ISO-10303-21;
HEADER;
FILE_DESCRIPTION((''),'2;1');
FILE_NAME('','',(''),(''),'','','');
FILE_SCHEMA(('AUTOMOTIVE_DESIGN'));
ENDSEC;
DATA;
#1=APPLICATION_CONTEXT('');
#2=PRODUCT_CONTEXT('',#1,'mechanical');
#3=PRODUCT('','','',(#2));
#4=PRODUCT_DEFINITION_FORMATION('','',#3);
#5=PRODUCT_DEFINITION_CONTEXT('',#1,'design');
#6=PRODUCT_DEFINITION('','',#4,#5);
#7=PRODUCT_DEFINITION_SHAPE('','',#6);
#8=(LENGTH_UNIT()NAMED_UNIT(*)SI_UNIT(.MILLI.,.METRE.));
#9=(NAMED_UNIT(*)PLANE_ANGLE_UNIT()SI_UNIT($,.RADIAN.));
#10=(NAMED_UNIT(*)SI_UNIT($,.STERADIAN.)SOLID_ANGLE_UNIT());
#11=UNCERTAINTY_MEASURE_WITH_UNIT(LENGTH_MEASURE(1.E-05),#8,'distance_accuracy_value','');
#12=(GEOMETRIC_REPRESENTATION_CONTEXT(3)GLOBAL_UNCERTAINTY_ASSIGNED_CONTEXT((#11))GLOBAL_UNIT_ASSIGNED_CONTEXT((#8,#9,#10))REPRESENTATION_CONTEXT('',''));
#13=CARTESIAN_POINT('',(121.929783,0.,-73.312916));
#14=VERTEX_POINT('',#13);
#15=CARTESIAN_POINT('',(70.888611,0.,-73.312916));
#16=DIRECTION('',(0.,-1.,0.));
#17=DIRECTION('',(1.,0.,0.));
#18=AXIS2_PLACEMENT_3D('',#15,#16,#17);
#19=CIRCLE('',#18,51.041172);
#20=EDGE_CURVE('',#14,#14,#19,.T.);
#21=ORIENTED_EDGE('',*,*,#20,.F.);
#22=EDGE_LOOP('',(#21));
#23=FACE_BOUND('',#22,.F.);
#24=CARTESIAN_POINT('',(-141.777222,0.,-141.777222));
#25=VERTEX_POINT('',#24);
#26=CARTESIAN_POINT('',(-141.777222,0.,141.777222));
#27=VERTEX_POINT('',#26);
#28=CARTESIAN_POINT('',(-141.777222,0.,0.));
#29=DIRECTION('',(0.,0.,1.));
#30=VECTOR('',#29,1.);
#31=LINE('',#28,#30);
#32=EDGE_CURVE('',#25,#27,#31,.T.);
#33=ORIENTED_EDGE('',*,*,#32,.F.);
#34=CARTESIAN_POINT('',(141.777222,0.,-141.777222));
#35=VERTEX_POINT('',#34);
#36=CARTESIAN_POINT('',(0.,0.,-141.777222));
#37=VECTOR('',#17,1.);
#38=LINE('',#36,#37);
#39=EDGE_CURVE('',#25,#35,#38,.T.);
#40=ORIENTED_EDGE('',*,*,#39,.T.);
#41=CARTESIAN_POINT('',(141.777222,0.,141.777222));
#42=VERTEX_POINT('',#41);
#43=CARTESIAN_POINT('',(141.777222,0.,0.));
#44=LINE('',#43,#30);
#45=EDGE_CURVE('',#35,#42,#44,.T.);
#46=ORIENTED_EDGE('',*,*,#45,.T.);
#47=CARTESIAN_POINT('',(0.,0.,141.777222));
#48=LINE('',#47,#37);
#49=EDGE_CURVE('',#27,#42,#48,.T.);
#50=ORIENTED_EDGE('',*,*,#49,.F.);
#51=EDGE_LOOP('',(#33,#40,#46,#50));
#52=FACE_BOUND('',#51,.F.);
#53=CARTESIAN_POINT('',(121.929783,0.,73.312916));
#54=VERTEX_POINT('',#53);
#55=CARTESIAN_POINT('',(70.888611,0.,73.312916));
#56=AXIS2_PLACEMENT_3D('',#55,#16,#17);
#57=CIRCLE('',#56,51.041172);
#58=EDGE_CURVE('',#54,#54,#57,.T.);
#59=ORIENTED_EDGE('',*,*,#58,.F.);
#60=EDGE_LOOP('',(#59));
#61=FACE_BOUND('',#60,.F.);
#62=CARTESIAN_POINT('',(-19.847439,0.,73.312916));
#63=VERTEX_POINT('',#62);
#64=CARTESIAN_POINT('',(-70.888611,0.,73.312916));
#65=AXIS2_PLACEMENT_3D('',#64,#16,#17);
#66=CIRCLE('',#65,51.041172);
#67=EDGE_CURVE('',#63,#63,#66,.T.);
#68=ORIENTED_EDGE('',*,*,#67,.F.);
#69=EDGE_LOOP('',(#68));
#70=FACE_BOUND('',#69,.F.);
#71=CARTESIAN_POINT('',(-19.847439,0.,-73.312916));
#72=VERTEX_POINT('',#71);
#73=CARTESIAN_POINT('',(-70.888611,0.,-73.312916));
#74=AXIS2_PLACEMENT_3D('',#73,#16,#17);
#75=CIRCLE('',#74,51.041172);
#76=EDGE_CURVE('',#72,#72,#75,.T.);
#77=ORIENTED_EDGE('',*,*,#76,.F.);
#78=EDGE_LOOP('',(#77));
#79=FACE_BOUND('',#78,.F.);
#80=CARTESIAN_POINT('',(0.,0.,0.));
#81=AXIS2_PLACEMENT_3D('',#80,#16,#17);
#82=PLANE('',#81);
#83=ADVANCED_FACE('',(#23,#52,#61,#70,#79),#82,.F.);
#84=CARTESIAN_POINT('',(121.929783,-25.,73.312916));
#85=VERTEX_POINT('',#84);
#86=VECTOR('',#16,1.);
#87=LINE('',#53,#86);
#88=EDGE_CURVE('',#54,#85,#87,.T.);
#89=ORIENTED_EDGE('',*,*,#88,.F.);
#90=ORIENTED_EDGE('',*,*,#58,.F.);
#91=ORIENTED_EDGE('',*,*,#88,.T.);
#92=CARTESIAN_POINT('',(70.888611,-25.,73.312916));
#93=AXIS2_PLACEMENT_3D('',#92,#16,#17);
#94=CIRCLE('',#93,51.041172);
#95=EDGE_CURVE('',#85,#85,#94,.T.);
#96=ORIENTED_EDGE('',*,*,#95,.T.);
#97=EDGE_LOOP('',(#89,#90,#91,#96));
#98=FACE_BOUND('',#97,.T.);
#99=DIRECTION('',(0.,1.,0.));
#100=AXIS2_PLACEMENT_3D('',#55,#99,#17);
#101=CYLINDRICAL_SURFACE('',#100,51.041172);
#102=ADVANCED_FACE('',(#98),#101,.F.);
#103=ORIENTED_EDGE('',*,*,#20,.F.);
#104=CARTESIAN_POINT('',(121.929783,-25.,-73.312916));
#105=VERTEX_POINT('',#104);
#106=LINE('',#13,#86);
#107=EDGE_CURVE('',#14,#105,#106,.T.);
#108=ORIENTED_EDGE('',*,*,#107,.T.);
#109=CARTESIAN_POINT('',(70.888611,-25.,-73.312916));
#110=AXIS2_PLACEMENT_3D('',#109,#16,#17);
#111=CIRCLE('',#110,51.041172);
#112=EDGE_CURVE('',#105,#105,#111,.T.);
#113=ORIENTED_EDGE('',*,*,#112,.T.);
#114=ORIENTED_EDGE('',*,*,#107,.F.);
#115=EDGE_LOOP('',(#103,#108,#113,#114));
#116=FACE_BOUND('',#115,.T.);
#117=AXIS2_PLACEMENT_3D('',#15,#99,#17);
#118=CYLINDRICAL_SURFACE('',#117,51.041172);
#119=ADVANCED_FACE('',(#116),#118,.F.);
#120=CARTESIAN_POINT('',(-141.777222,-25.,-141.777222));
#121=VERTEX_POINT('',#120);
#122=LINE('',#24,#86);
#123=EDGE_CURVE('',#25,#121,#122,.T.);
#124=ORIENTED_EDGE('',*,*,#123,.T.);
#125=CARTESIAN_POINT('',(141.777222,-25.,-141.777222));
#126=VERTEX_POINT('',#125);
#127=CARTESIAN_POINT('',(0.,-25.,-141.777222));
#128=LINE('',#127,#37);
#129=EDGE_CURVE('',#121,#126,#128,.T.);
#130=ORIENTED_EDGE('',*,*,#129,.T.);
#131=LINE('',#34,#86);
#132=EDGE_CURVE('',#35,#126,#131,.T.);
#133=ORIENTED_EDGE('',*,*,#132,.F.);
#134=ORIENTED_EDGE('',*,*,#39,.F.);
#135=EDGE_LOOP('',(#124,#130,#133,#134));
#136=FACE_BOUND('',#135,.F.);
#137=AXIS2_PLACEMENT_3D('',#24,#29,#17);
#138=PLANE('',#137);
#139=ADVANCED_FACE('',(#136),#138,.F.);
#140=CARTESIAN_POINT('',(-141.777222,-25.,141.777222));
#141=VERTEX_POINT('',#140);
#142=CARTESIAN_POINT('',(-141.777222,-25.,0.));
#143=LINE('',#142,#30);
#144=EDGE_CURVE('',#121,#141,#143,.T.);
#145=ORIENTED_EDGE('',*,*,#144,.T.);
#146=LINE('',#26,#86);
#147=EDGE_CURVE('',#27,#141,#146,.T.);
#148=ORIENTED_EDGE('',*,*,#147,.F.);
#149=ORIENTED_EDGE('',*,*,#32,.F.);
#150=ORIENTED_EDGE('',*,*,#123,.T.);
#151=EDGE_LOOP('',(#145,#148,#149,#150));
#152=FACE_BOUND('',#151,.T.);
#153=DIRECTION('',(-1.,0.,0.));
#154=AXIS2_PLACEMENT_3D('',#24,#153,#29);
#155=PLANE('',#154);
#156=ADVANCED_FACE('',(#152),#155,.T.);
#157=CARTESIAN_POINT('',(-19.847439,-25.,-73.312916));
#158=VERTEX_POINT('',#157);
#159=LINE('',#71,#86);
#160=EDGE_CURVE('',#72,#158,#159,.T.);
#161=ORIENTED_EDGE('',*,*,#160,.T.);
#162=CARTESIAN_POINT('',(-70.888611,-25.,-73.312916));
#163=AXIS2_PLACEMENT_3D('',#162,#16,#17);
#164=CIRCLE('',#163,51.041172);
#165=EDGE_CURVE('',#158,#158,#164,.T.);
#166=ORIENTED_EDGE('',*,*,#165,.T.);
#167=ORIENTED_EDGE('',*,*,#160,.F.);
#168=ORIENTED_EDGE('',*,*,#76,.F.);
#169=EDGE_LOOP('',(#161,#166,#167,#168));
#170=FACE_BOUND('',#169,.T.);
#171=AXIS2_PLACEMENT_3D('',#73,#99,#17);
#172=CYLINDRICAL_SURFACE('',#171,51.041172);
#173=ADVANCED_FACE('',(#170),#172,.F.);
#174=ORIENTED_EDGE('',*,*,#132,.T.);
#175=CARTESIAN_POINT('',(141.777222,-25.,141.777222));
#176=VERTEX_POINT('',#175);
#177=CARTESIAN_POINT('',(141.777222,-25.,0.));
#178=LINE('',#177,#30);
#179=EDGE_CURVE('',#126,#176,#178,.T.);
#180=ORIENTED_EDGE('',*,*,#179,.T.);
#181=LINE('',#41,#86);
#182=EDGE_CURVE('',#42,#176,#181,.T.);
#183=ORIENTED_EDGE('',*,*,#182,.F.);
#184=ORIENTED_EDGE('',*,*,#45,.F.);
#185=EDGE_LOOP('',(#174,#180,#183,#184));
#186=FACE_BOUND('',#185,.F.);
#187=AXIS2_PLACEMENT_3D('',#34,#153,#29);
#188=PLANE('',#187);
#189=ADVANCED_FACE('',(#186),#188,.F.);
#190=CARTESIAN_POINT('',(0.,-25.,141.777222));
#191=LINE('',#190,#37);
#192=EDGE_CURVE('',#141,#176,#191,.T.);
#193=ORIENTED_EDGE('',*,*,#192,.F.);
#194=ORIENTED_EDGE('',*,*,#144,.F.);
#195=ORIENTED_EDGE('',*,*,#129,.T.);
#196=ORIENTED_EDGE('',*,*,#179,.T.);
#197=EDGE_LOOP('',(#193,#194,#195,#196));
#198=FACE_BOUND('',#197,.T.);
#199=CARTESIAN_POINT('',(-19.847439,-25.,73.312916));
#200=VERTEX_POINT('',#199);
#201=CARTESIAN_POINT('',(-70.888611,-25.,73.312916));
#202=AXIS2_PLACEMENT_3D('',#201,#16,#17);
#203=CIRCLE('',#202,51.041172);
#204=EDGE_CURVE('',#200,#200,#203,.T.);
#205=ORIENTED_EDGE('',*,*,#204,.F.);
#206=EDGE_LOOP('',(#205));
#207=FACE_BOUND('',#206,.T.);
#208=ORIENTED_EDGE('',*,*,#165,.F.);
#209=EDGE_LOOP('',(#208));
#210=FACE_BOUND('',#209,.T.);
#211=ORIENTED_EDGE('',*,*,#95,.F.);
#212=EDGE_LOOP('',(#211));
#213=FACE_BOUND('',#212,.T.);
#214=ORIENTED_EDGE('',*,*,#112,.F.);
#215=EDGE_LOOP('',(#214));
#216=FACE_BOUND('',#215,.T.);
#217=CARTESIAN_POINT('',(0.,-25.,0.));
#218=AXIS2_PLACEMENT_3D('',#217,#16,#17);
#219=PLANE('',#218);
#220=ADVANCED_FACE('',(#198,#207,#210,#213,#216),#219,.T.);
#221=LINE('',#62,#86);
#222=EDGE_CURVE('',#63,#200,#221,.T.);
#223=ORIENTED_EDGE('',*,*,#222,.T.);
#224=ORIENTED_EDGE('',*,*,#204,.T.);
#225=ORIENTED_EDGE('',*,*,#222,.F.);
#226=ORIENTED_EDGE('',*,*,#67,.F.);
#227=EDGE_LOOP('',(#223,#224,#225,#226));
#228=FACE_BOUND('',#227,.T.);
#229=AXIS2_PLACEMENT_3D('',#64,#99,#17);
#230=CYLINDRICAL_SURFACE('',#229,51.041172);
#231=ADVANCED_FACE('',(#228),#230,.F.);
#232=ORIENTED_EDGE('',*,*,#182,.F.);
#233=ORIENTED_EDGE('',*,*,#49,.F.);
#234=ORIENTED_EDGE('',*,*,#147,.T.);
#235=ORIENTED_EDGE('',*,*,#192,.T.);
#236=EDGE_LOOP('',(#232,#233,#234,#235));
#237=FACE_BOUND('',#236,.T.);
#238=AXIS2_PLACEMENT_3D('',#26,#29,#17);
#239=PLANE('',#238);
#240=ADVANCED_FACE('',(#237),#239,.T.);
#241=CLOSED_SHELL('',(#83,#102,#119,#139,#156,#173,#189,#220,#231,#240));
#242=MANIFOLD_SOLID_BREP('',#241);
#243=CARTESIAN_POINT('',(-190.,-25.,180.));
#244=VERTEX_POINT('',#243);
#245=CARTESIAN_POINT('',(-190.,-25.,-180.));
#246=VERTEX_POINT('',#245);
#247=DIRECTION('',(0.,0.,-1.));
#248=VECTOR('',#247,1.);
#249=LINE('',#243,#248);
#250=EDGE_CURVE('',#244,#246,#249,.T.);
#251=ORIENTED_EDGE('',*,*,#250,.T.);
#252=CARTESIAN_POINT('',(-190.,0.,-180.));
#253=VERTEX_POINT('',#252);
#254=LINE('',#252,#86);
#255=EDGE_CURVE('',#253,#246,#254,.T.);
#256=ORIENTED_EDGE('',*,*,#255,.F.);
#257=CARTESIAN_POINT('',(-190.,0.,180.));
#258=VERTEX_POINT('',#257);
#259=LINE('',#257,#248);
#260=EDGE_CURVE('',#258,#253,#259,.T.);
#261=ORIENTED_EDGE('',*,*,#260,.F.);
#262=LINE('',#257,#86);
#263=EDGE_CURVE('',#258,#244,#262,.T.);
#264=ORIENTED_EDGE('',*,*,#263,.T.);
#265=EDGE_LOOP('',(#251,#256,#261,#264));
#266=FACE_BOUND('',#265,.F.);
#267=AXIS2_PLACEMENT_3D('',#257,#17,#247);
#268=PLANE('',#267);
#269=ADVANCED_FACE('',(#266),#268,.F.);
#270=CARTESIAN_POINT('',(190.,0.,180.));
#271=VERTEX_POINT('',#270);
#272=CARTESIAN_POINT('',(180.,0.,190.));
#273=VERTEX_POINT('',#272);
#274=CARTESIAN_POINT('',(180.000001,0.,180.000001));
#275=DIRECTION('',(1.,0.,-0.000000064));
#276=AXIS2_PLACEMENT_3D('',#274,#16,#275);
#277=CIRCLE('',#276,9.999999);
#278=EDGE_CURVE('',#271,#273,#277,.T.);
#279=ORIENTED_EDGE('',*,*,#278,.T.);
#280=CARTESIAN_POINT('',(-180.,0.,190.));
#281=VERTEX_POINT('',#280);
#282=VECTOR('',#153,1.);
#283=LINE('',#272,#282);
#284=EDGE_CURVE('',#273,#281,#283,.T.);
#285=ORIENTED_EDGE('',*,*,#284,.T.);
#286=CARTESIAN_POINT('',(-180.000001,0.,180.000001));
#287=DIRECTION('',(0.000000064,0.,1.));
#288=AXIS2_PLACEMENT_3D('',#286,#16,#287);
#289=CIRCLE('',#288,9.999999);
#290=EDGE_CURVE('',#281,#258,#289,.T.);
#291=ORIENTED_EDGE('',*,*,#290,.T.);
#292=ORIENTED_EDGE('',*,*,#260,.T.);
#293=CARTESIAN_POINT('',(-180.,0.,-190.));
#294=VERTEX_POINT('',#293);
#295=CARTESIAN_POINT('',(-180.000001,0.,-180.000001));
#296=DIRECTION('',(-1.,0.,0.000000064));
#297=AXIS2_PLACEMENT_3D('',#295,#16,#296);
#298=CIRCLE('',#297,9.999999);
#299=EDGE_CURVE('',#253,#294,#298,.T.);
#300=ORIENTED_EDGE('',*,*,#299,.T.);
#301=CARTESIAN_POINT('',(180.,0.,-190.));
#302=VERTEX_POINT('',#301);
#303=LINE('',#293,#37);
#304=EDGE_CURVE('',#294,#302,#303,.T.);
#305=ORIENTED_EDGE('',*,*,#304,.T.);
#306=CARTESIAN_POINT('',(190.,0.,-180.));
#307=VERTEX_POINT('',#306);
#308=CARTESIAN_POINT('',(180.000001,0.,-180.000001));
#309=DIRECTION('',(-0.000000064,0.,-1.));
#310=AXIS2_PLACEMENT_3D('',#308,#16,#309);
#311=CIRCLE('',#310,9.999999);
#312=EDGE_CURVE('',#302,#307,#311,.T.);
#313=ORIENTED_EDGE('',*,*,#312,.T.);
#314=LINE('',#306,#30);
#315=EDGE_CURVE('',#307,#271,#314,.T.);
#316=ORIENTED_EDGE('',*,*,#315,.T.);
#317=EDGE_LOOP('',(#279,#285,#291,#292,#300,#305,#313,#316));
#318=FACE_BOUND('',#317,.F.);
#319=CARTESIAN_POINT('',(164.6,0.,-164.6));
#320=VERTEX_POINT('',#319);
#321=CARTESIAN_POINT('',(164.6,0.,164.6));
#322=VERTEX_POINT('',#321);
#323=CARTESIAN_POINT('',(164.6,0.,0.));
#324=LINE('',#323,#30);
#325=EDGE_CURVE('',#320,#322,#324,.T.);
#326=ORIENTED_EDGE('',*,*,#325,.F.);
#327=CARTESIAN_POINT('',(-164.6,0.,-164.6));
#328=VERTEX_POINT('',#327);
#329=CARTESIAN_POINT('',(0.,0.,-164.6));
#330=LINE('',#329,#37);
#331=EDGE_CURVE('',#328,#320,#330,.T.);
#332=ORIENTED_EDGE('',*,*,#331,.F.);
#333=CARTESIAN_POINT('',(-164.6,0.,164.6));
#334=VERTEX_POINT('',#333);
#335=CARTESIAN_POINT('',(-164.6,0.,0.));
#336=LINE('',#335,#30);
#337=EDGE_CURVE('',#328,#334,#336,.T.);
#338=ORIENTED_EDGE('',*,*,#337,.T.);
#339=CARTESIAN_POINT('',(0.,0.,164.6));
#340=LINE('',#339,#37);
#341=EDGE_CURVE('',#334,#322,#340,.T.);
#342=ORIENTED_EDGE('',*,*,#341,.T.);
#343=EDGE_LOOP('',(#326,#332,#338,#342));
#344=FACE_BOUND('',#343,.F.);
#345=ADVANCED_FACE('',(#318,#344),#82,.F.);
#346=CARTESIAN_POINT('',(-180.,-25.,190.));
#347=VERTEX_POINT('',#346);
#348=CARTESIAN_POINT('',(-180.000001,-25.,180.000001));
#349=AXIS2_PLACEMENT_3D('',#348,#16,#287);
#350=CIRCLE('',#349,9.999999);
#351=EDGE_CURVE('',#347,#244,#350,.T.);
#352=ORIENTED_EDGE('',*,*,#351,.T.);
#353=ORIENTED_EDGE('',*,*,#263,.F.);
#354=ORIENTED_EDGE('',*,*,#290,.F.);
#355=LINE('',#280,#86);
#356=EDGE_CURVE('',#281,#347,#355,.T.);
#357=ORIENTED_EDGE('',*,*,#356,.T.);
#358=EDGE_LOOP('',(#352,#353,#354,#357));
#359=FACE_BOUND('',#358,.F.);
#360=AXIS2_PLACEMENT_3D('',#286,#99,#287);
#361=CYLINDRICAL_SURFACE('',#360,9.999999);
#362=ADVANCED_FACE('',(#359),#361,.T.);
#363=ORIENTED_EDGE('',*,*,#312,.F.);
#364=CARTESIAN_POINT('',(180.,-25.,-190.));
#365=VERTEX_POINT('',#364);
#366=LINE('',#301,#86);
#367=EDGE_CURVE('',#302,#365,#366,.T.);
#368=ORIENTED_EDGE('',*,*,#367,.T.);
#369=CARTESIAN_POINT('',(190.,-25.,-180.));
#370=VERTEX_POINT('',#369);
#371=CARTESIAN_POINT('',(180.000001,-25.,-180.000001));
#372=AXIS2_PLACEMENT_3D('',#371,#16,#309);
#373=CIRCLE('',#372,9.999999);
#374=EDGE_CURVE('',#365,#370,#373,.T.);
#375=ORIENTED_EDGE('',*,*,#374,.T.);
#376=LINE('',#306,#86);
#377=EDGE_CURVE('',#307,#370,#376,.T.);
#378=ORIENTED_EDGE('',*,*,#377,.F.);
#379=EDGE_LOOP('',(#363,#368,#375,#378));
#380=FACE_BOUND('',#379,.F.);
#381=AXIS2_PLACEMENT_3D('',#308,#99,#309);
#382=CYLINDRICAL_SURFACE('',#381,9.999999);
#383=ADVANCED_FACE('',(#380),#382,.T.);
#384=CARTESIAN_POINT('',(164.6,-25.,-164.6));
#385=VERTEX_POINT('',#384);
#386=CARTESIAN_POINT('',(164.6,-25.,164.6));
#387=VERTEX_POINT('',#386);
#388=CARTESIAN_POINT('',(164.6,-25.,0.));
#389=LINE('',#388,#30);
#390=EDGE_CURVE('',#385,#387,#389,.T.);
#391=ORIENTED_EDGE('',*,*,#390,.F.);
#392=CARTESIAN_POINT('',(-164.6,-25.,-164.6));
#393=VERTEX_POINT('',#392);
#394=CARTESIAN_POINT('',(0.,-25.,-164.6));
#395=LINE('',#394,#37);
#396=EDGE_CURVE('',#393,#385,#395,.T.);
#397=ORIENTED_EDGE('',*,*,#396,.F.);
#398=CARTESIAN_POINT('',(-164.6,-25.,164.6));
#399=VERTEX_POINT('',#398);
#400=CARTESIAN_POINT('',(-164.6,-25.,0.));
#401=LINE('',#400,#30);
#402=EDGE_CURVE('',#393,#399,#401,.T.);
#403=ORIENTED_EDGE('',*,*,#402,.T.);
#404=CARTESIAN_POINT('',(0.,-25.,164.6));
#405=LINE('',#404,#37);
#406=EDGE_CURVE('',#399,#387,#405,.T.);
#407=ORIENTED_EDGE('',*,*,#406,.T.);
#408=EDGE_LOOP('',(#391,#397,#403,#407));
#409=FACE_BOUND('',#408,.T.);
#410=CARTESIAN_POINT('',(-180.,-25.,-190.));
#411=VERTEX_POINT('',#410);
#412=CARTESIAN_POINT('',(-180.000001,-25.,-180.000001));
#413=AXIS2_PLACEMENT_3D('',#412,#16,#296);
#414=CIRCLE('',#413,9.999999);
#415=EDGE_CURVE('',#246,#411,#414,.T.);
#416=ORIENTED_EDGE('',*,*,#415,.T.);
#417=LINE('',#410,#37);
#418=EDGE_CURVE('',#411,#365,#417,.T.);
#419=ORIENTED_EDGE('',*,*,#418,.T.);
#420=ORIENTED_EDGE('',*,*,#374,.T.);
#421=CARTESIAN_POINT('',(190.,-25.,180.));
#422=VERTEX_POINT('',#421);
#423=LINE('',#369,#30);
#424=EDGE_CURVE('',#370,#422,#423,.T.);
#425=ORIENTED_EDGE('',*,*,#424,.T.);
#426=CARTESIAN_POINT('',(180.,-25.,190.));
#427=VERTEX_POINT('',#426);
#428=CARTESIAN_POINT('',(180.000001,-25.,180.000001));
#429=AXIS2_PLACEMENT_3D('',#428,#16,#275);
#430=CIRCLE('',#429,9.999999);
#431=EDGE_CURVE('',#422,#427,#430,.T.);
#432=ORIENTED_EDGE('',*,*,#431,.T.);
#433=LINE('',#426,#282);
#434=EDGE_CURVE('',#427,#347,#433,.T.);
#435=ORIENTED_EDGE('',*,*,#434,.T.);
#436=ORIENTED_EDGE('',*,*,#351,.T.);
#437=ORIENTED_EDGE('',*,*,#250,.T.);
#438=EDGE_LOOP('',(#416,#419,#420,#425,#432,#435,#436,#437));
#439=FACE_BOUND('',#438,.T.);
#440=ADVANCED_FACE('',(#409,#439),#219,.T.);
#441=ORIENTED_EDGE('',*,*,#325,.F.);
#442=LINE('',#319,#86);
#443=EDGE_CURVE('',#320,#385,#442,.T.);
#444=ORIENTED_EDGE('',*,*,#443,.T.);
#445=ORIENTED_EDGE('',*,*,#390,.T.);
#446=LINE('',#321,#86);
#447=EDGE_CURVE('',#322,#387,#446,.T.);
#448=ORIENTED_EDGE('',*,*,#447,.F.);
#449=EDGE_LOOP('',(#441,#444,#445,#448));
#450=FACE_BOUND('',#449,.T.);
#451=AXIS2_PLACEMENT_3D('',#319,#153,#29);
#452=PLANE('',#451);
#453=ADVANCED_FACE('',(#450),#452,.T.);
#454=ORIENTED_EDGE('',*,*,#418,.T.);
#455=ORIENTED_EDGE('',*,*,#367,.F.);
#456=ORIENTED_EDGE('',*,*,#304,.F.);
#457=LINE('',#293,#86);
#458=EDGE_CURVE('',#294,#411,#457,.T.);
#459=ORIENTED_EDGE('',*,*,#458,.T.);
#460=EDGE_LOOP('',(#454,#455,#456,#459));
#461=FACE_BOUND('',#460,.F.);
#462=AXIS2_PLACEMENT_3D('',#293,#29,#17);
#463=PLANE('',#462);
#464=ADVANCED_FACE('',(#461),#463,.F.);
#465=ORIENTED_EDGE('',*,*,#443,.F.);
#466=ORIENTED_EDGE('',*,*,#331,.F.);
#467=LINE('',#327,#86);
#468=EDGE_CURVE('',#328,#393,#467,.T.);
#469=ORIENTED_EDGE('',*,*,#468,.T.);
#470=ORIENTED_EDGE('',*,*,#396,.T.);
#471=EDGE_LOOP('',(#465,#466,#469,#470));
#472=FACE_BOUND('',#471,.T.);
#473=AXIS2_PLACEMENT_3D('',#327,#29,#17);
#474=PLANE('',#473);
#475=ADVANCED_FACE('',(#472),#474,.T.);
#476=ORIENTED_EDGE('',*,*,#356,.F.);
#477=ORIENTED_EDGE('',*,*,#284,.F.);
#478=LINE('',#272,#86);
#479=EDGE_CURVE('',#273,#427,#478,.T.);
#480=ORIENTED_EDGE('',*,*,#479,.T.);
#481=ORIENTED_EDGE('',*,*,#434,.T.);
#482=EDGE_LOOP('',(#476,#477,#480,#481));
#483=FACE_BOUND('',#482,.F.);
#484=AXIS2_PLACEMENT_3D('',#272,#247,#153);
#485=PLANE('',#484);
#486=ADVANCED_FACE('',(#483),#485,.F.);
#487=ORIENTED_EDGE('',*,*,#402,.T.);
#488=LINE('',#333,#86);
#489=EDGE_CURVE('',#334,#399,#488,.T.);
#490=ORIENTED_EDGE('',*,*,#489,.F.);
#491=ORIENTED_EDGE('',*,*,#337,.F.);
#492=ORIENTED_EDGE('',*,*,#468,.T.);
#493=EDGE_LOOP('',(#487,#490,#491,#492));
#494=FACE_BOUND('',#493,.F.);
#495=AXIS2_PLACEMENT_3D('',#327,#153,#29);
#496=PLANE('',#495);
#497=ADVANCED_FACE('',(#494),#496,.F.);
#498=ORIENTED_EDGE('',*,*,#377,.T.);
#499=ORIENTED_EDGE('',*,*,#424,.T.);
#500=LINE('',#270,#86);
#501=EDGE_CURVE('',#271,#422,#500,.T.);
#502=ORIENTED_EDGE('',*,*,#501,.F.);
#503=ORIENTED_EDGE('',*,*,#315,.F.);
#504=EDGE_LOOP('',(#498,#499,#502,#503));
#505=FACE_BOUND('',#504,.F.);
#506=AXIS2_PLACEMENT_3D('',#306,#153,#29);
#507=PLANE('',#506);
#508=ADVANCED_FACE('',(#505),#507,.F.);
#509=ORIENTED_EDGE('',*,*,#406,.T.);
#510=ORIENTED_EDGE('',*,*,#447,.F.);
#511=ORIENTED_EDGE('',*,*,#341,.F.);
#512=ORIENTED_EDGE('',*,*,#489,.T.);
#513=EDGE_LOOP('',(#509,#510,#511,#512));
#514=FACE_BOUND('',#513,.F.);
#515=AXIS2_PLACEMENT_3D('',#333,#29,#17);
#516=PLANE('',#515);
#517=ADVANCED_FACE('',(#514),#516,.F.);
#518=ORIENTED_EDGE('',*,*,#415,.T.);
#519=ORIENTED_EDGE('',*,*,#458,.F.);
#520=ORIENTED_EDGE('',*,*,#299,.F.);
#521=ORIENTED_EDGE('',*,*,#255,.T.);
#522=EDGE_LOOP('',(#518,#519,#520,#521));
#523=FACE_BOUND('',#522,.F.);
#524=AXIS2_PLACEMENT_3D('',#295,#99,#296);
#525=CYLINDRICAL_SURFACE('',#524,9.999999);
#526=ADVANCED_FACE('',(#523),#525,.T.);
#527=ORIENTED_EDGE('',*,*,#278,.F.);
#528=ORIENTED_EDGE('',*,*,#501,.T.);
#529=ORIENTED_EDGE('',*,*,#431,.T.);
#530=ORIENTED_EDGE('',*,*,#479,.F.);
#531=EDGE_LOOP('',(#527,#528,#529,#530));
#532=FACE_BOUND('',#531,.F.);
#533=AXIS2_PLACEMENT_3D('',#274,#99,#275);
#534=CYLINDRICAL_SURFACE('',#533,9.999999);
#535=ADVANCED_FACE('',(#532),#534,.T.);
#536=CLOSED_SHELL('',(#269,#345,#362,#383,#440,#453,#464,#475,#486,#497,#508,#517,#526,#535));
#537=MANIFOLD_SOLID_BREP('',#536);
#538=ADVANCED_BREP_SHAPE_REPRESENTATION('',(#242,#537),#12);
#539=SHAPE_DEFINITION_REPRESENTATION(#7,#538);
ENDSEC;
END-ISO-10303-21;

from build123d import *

# Parameters (mm, degrees)
F0_W     = 354.6
F0_H     = 354.6
F0_W_2   = 329.2
F0_H_2   = 329.2
F0_W_3   = 283.554444
F0_H_3   = 283.554444
F0_R     = 51.041172
F1_DEPTH = 25


with BuildPart() as f1:
    # F0 (on Front) → F1 (new body)
    with BuildSketch(Plane.XZ):
        with BuildLine():
            Line((180, 190), (-180, 190))
            ThreePointArc((-180, 190), (-187.071068, 187.071068), (-190, 180))
            Line((-190, 180), (-190, -180))
            ThreePointArc((-190, -180), (-187.071068, -187.071068), (-180, -190))
            Line((-180, -190), (180, -190))
            ThreePointArc((180, -190), (187.071068, -187.071068), (190, -180))
            Line((190, -180), (190, 180))
            ThreePointArc((190, 180), (187.071068, 187.071068), (180, 190))
        make_face()
        Rectangle(F0_W, F0_H, mode=Mode.SUBTRACT)
        Rectangle(F0_W, F0_H)
        Rectangle(F0_W_2, F0_H_2, mode=Mode.SUBTRACT)
        Rectangle(F0_W_3, F0_H_3)
        with Locations((-70.888611, -73.312916)):
            Circle(F0_R, mode=Mode.SUBTRACT)
        with Locations((70.888611, -73.312916)):
            Circle(F0_R, mode=Mode.SUBTRACT)
        with Locations((-70.888611, 73.312916)):
            Circle(F0_R, mode=Mode.SUBTRACT)
        with Locations((70.888611, 73.312916)):
            Circle(F0_R, mode=Mode.SUBTRACT)
    extrude(amount=F1_DEPTH)


solid = f1.part
